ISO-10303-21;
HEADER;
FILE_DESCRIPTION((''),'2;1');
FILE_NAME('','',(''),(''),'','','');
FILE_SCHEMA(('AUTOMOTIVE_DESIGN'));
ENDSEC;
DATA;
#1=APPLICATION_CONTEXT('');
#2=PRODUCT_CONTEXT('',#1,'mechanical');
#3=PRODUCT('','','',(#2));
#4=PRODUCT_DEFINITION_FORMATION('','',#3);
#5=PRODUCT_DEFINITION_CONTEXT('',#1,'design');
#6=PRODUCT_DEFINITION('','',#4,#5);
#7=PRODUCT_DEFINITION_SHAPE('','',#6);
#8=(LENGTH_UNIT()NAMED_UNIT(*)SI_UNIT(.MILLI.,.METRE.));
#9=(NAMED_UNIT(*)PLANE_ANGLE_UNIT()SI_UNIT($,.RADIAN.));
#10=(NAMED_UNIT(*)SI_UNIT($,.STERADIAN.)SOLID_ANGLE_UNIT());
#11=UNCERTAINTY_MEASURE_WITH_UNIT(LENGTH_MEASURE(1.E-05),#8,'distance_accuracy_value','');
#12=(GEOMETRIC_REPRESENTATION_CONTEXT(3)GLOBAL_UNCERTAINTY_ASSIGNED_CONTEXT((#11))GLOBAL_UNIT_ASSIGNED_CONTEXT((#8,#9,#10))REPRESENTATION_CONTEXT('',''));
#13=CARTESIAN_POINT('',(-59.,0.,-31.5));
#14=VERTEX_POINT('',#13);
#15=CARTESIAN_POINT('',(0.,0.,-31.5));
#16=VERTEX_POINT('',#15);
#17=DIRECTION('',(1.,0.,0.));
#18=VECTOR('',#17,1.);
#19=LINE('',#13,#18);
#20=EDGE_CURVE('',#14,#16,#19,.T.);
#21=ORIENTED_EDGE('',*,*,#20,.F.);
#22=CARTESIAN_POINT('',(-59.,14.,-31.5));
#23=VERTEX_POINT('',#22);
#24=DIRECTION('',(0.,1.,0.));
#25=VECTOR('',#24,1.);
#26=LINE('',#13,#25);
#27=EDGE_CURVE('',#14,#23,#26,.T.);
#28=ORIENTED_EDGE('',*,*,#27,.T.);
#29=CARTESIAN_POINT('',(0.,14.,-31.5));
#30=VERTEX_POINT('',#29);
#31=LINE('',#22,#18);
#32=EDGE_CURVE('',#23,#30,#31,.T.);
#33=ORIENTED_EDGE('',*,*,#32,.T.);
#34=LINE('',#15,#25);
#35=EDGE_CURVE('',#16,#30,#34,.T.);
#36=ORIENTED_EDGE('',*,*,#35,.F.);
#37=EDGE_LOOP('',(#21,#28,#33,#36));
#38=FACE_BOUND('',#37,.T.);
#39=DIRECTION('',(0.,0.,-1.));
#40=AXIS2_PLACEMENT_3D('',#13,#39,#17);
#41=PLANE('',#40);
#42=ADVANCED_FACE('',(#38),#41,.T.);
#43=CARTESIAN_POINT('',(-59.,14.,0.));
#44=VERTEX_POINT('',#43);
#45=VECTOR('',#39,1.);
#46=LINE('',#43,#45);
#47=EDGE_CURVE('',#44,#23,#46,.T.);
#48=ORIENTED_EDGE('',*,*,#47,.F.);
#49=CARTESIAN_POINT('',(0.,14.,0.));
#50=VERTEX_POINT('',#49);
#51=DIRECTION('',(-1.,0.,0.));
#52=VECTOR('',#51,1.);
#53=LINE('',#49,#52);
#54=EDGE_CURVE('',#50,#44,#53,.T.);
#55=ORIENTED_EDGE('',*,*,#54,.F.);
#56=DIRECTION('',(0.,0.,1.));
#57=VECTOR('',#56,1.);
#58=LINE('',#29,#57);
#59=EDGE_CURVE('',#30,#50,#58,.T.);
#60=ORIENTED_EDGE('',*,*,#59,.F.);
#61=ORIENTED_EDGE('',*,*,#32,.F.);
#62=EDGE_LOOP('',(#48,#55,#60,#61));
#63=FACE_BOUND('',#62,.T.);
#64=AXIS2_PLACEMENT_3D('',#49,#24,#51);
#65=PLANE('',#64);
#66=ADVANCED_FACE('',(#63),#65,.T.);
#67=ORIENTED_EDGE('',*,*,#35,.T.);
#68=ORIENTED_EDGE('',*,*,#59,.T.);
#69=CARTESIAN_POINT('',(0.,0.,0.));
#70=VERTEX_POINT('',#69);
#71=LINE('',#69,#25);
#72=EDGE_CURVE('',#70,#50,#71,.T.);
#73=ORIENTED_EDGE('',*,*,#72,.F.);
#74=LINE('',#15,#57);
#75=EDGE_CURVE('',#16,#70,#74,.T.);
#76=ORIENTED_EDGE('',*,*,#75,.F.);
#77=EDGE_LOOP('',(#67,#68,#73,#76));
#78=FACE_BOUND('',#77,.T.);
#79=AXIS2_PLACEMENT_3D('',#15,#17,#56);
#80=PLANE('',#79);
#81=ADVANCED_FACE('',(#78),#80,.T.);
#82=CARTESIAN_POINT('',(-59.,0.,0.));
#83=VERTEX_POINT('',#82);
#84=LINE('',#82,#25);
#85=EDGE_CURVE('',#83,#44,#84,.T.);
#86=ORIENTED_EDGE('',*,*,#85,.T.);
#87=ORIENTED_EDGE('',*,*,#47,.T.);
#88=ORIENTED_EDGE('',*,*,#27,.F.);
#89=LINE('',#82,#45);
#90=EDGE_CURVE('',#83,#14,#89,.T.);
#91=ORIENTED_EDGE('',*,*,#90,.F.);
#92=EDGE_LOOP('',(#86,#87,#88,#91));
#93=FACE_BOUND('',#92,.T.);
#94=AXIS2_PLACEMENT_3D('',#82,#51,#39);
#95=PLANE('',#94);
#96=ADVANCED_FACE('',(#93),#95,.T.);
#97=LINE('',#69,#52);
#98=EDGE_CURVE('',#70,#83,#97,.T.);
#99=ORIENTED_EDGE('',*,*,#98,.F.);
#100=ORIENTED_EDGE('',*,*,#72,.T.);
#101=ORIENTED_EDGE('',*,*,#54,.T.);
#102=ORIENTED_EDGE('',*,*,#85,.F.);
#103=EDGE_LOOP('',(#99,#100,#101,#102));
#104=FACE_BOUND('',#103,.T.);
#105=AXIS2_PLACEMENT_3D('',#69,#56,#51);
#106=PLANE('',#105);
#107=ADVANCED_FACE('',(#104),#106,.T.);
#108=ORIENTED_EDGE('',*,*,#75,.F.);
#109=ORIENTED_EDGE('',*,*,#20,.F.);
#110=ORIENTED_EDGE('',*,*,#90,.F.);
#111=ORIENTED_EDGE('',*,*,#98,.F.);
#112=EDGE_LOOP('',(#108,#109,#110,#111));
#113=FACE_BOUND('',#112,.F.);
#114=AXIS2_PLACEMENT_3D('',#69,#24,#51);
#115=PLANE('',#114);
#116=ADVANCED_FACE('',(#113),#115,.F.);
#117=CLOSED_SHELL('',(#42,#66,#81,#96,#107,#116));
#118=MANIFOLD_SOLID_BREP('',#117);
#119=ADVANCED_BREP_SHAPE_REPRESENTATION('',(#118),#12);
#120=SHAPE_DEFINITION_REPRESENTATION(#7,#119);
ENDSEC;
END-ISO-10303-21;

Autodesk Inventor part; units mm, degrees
ref_plane "YZ Plane" through (0, 0, 0) normal (1, 0, 0) x (0, 1, 0)
ref_plane "XZ Plane" through (0, 0, 0) normal (0, 1, 0) x (-1, 0, 0)
ref_plane "XY Plane" through (0, 0, 0) normal (0, 0, 1) x (1, 0, 0)
sketch "Sketch1" plane through (0, 0, 0) normal (0, 1, 0) x (-1, 0, 0)
  line L0 (0, 0) -> (59, 0)
  line L1 (59, 0) -> (59, -31.5)
  line L2 (59, -31.5) -> (0, -31.5)
  line L3 (0, -31.5) -> (0, 0)
  dimension "d0" = 59
  dimension "d1" = 31.5
extrude "Extrusion1" add sketch "Sketch1" along normal blind 14
properties part number "Batería"
